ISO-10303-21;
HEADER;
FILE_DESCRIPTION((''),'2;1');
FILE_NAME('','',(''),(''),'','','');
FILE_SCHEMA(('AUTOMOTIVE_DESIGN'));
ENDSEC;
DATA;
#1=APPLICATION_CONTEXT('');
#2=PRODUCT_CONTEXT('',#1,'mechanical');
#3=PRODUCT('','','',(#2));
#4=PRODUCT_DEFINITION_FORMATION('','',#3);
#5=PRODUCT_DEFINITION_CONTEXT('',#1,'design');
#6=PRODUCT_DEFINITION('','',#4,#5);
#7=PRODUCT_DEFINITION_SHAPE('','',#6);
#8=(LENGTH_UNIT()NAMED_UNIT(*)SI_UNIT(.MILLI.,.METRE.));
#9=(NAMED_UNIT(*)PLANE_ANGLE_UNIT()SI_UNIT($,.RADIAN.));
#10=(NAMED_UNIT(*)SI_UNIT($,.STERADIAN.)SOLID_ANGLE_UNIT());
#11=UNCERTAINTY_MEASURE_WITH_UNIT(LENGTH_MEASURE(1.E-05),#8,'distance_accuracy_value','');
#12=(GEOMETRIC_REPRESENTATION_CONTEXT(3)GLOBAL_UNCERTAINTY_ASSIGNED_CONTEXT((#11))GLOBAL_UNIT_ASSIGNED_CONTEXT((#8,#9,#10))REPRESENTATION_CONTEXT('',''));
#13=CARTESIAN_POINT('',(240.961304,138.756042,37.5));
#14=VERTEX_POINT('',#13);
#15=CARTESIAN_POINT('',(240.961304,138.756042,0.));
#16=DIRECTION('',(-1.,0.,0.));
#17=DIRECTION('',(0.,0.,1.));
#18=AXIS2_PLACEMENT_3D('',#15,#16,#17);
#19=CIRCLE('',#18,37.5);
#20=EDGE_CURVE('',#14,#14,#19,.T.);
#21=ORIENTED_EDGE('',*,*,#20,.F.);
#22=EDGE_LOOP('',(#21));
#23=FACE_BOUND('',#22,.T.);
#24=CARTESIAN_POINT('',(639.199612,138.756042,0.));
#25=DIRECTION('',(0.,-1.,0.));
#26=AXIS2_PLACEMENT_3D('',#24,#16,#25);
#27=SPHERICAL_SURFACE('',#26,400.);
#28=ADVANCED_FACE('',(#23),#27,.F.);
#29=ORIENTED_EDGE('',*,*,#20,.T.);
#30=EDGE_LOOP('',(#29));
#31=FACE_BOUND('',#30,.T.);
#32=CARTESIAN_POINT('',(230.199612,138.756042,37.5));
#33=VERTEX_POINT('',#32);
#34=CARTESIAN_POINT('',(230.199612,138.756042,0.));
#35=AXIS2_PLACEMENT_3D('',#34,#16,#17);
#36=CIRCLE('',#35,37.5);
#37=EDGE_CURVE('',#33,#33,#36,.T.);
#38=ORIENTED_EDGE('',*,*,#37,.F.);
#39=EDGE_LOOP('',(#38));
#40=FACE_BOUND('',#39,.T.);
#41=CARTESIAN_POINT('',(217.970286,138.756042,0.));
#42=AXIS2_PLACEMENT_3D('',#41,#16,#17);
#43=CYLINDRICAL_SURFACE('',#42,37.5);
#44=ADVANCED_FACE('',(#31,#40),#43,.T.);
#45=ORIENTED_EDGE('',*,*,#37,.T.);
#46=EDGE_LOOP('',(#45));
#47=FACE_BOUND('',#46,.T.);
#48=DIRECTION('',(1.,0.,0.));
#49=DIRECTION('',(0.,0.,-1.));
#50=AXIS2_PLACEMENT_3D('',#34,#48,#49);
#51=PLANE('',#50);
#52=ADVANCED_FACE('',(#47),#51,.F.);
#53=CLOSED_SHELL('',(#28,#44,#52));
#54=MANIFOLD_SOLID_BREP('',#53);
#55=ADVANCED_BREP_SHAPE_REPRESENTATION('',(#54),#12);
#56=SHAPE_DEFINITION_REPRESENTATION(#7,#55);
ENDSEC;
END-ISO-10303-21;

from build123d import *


with BuildPart() as part:
    # 草图1 → 旋转1 (revolve)
    with BuildSketch(Plane.XY, mode=Mode.PRIVATE) as revolve_1_sk:
        with BuildLine():
            Line((230.199611905, 138.756042247), (230.199611905, 176.256042247))
            Line((230.199611905, 176.256042247), (240.961303848, 176.256042247))
            ThreePointArc((240.961303848, 176.256042247), (239.64027762, 157.526721234), (239.1996119, 138.756042247))
            Line((239.1996119, 138.756042247), (230.199611905, 138.756042247))
        make_face()
    revolve(revolve_1_sk.sketch.rotate(Axis((217.970286004, 138.756042247, 0), (1, 0, 0)), 180), axis=Axis((217.970286004, 138.756042247, 0), (1, 0, 0)))  # turned: the seam where the file's is


solid = part.part
